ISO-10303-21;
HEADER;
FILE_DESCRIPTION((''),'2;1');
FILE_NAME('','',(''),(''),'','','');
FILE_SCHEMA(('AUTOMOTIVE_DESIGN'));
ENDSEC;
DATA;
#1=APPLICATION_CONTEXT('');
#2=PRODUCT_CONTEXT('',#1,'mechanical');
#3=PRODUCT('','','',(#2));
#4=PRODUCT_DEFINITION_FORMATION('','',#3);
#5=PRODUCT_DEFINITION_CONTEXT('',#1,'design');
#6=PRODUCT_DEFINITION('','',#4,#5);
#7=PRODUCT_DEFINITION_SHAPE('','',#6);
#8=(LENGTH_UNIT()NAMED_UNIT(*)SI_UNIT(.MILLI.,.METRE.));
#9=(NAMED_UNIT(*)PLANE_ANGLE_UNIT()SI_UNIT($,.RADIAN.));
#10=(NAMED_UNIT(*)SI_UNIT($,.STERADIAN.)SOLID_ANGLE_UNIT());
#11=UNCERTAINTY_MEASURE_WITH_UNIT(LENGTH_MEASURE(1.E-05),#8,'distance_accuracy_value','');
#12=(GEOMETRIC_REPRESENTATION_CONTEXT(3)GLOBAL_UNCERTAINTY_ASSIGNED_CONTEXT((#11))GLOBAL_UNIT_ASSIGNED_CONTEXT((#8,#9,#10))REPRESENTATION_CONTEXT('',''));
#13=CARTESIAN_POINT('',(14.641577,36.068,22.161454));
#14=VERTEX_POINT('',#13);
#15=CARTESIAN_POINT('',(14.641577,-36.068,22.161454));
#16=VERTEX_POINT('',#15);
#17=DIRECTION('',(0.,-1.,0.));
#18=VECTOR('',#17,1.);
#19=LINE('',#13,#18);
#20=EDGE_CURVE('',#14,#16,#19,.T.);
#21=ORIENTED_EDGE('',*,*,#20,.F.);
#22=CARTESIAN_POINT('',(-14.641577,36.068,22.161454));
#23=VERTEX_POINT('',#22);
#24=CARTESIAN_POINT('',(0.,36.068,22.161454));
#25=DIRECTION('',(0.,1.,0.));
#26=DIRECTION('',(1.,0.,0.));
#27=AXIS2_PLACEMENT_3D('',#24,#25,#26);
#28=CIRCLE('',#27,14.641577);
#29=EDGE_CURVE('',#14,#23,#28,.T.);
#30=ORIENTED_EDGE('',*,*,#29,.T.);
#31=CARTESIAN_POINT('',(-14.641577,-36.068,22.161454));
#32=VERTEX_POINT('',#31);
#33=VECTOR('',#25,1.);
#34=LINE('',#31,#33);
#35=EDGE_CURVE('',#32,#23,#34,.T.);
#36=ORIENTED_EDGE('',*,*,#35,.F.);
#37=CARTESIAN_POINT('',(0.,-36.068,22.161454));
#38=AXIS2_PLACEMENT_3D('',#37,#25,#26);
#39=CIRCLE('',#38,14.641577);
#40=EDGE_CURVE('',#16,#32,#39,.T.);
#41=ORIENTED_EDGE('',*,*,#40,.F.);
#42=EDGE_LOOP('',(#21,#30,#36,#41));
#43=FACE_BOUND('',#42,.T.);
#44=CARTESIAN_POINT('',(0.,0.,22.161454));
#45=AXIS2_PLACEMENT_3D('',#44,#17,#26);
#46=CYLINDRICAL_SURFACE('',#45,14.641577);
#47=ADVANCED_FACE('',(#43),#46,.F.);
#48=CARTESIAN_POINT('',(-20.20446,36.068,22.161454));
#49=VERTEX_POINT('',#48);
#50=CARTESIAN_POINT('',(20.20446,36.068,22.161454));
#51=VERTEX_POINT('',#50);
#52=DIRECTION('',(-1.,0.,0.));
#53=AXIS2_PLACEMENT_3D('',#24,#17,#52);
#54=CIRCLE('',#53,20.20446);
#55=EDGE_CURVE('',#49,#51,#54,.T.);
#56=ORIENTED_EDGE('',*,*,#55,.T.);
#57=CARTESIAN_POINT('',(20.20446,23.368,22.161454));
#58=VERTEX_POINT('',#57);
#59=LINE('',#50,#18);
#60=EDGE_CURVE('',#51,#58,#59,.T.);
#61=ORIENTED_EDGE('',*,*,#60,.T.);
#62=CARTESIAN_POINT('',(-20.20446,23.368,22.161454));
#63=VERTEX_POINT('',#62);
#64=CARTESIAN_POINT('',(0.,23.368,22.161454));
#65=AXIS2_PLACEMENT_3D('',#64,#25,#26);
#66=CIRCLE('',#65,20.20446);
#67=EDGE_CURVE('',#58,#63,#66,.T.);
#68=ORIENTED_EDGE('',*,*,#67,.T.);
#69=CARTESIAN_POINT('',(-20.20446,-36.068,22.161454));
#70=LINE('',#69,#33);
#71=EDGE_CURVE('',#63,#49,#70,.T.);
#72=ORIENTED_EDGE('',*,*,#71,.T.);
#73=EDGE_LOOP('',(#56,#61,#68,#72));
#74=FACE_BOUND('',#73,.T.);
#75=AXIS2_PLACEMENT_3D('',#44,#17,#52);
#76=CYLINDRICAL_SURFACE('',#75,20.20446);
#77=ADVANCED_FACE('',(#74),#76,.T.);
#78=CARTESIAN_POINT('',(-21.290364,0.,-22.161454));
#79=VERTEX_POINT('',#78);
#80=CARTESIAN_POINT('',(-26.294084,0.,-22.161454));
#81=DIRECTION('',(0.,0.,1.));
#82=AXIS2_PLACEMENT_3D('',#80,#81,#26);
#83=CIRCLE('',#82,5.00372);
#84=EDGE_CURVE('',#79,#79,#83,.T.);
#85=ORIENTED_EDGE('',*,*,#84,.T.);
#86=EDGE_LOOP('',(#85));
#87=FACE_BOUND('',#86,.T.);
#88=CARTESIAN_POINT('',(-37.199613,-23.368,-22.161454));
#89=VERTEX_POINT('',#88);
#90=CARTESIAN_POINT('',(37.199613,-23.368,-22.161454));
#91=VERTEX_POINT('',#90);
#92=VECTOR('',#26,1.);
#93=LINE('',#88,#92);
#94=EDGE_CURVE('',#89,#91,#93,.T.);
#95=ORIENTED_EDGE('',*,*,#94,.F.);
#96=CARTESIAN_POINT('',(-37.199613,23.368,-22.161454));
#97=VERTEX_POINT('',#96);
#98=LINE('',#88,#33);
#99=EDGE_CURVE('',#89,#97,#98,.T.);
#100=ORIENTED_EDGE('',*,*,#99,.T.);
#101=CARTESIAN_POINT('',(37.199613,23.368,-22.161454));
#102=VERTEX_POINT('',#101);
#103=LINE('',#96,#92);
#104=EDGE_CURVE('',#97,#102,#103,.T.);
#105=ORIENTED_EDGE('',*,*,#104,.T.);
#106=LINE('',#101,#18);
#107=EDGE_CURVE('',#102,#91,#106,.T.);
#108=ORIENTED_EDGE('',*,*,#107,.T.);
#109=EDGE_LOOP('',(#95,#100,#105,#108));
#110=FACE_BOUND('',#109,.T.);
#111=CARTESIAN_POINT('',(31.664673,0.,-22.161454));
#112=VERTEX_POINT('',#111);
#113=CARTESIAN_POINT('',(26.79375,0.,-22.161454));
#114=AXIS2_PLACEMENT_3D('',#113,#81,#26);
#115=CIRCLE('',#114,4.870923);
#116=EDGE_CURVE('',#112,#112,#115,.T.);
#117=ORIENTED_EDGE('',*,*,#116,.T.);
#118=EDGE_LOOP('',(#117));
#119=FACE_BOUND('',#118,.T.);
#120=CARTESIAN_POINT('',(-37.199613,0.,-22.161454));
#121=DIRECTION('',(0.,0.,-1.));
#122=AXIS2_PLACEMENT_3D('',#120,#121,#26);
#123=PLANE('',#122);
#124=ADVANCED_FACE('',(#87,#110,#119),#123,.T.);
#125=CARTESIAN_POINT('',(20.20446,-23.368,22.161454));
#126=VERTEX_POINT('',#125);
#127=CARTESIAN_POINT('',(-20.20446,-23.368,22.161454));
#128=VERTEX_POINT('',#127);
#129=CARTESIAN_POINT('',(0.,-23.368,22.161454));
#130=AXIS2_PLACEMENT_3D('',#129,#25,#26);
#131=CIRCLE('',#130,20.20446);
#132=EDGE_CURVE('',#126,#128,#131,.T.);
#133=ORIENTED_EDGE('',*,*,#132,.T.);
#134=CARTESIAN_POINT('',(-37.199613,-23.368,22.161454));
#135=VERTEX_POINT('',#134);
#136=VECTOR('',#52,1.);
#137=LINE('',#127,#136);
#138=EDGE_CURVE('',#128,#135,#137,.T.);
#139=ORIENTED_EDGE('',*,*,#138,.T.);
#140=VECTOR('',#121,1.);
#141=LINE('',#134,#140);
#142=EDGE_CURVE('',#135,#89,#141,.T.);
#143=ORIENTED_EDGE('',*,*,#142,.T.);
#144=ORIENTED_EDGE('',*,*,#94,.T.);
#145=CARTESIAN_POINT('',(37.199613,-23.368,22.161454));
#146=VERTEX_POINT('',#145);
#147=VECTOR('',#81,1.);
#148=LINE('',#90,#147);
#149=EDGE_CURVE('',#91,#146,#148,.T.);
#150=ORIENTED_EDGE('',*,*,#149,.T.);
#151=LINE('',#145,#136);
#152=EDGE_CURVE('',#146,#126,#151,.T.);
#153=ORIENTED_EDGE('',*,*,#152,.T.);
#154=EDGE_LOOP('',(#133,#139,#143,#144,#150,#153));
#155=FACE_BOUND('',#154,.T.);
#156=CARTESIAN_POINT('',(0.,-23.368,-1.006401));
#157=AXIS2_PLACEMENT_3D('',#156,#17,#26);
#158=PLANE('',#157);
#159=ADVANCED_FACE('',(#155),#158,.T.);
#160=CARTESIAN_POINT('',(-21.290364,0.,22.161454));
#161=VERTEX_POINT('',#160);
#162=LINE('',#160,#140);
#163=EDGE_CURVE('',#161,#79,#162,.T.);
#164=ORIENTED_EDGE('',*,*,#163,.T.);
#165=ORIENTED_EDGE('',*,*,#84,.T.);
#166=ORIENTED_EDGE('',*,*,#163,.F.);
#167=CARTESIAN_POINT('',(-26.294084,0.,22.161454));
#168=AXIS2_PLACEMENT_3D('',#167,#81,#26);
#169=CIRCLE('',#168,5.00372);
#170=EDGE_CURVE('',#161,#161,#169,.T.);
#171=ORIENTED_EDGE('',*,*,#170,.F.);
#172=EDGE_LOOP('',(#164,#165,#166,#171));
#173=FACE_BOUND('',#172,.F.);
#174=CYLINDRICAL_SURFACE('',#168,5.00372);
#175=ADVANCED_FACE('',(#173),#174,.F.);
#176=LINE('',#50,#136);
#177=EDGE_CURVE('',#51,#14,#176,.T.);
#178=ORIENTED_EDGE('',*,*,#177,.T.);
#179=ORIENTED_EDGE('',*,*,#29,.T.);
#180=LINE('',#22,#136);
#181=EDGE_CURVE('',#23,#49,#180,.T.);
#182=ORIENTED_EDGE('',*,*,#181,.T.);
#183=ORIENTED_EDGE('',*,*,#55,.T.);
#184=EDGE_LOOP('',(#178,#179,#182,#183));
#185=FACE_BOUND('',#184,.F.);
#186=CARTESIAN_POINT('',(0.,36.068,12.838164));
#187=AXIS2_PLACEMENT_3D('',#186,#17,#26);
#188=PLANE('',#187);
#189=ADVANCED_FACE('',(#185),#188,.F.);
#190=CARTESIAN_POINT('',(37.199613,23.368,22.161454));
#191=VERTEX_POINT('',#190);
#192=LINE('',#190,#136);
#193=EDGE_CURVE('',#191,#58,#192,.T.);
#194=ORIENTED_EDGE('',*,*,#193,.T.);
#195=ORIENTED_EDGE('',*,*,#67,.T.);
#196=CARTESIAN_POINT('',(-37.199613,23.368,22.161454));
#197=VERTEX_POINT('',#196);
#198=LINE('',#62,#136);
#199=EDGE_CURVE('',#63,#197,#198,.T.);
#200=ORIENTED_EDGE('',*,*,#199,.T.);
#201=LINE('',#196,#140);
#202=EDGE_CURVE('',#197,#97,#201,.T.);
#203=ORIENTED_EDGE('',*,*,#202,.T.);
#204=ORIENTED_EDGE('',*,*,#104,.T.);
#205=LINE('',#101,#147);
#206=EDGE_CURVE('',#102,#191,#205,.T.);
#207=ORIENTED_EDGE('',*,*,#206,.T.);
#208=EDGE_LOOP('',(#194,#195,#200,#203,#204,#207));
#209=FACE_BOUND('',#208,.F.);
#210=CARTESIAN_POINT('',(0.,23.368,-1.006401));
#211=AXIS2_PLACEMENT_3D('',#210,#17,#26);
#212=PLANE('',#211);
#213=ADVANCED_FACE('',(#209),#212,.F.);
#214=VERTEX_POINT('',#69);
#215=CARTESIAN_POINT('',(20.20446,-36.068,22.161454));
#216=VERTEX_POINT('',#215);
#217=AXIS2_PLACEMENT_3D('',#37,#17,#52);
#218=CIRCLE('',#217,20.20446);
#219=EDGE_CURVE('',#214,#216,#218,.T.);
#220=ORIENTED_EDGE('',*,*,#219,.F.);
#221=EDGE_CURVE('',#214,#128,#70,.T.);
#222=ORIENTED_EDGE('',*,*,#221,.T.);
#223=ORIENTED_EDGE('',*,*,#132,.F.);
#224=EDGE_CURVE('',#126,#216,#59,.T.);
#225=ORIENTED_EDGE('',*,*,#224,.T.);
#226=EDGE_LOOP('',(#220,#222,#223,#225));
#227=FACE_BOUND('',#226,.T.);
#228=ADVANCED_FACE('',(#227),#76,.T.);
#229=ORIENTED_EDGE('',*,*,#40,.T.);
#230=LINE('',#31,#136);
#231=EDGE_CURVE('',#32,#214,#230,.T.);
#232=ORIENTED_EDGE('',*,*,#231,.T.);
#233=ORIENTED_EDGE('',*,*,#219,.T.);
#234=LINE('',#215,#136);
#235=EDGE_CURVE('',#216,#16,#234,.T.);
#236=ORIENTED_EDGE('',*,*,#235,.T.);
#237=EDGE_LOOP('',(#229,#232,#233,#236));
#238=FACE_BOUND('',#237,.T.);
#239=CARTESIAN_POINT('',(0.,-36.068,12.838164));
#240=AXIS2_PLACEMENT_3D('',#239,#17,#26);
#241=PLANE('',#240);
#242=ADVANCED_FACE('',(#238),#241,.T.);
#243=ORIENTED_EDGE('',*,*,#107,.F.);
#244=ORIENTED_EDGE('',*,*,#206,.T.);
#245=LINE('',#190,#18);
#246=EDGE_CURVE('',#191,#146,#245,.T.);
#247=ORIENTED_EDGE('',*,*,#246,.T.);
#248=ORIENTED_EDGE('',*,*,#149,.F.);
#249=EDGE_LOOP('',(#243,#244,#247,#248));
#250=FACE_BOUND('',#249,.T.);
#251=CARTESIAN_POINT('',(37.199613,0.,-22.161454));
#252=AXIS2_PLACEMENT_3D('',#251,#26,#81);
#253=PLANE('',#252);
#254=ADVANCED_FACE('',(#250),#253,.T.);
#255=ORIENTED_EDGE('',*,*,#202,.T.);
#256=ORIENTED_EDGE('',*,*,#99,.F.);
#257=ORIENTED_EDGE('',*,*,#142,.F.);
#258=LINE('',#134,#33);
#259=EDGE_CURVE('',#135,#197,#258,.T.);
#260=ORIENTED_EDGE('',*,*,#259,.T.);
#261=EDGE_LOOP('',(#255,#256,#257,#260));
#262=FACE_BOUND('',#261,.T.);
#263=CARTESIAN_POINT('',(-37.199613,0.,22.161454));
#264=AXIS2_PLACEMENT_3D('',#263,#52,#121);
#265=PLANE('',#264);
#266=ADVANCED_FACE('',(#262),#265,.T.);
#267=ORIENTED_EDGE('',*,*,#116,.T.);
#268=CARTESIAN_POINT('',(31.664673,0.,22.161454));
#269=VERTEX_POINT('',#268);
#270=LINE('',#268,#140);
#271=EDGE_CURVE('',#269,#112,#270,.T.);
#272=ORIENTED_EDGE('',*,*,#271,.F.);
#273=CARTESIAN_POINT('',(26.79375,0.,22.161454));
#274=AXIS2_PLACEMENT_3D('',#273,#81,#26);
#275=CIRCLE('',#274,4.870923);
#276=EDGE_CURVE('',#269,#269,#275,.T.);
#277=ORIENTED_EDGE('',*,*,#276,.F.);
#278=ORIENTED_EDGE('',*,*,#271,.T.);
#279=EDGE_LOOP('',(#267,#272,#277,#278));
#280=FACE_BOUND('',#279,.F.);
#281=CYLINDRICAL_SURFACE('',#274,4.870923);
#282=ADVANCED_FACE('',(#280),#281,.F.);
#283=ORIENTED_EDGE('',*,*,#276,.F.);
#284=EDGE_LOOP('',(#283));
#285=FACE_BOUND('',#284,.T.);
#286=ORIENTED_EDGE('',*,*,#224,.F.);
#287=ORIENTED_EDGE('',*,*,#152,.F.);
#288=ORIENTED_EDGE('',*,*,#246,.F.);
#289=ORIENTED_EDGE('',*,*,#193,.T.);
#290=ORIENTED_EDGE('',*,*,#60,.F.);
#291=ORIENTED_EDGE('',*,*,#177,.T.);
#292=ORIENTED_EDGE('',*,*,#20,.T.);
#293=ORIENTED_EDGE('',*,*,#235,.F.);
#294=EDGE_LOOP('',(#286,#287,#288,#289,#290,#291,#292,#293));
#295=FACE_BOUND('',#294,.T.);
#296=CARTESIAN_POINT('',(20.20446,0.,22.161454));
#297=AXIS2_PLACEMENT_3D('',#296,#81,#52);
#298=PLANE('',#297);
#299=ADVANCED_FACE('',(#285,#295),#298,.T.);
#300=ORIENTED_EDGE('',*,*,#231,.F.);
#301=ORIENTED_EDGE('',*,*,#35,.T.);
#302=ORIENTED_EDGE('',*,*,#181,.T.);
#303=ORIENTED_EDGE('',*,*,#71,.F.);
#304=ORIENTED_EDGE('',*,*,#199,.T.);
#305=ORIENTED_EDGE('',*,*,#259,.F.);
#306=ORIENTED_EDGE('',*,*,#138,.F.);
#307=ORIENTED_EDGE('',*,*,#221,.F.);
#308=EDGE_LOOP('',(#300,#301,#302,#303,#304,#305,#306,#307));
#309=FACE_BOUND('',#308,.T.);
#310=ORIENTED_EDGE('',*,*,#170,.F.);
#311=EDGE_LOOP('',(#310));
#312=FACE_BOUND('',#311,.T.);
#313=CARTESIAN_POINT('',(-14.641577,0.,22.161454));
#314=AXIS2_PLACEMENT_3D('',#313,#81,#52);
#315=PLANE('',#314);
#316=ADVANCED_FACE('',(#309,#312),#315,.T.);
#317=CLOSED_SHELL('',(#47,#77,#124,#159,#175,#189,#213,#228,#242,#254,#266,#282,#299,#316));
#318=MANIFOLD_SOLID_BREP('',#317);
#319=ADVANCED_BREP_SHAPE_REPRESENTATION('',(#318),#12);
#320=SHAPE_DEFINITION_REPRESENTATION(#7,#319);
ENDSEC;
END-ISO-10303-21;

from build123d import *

# Parameters (mm, degrees)
F1_DEPTH = 23.368
F2_DEPTH = 36.068
F3_R     = 5.00372
F3_R_2   = 4.870923
F4_DEPTH = 64.008


with BuildPart() as f1:
    # F0 (on Front) → F1 (new body, symmetric)
    with BuildSketch(Plane.XZ):
        with BuildLine():
            Line((-37.199613, -22.161454), (37.199613, -22.161454))
            Line((37.199613, -22.161454), (37.199613, 22.161454))
            Line((37.199613, 22.161454), (20.20446, 22.161454))
            ThreePointArc((20.20446, 22.161454), (0, 1.956994), (-20.20446, 22.161454))
            Line((-20.20446, 22.161454), (-37.199613, 22.161454))
            Line((-37.199613, 22.161454), (-37.199613, -22.161454))
        make_face()
    extrude(amount=F1_DEPTH, both=True)

    # F0 (on Front) → F2 (join, symmetric)
    with BuildSketch(Plane.XZ):
        with BuildLine():
            ThreePointArc((-20.20446, 22.161454), (0, 1.956994), (20.20446, 22.161454))
            Line((20.20446, 22.161454), (14.641577, 22.161454))
            ThreePointArc((14.641577, 22.161454), (0, 7.519877), (-14.641577, 22.161454))
            Line((-14.641577, 22.161454), (-20.20446, 22.161454))
        make_face()
    extrude(amount=F2_DEPTH, both=True)

    # F3 (on face) → F4 (cut)
    with BuildSketch(Plane.XY.offset(22.161454)):
        with Locations((-26.294084, 0)):
            Circle(F3_R)
        with Locations((26.79375, 0)):
            Circle(F3_R_2)
    extrude(amount=-F4_DEPTH, mode=Mode.SUBTRACT)


solid = f1.part
